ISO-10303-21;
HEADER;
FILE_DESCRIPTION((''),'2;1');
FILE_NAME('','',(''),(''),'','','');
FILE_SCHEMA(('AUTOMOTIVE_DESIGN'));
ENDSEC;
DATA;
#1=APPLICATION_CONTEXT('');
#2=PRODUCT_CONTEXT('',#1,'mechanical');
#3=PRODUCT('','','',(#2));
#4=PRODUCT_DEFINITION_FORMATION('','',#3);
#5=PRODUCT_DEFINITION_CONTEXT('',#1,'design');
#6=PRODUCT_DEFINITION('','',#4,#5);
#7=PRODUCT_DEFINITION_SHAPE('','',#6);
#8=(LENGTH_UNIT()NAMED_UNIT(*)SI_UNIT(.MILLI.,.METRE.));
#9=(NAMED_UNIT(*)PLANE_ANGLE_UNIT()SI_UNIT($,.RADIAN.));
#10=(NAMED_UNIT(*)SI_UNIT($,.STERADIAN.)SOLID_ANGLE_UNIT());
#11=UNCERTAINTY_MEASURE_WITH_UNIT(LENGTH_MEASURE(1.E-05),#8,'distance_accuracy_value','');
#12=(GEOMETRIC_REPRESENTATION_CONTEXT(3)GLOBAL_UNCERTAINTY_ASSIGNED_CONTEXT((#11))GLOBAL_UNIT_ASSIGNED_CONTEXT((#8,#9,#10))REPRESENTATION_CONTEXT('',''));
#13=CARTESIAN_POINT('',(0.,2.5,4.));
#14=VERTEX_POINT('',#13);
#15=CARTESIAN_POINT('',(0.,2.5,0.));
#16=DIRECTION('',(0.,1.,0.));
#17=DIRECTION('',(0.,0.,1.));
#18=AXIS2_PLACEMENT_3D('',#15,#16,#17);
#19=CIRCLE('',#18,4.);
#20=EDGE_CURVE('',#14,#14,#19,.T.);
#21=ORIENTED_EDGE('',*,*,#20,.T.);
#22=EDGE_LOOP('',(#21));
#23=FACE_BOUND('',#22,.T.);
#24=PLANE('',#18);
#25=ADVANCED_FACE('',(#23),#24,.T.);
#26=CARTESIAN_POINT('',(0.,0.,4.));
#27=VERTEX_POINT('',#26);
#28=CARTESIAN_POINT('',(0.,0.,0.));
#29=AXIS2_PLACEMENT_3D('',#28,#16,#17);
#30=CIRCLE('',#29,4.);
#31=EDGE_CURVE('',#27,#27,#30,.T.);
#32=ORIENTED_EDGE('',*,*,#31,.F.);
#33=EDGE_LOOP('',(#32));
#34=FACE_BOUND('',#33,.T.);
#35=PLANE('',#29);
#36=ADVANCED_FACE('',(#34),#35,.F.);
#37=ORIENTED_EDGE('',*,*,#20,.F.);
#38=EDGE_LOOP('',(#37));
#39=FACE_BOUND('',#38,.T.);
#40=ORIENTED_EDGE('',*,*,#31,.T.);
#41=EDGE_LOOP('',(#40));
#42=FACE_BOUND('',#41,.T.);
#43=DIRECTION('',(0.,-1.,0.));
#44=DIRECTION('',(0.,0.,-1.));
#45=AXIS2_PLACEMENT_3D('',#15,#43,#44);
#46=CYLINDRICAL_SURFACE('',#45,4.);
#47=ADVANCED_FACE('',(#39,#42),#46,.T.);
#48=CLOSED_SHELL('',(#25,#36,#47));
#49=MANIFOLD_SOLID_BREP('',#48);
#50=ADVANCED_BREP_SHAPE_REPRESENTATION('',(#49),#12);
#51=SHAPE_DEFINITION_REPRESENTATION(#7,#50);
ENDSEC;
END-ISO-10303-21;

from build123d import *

# Parameters (mm, degrees)
MAGNET_SKETCH_R           = 4
MAGENT_BOSS_EXTRUDE_DEPTH = 2.5


with BuildPart() as part:
    # Magnet Sketch → Magent Boss-Extrude (new body)
    with BuildSketch(Plane(origin=(0, 0, 0), x_dir=(1, 0, 0), z_dir=(0, 1, 0))):
        Circle(MAGNET_SKETCH_R)
    extrude(amount=MAGENT_BOSS_EXTRUDE_DEPTH)


solid = part.part
